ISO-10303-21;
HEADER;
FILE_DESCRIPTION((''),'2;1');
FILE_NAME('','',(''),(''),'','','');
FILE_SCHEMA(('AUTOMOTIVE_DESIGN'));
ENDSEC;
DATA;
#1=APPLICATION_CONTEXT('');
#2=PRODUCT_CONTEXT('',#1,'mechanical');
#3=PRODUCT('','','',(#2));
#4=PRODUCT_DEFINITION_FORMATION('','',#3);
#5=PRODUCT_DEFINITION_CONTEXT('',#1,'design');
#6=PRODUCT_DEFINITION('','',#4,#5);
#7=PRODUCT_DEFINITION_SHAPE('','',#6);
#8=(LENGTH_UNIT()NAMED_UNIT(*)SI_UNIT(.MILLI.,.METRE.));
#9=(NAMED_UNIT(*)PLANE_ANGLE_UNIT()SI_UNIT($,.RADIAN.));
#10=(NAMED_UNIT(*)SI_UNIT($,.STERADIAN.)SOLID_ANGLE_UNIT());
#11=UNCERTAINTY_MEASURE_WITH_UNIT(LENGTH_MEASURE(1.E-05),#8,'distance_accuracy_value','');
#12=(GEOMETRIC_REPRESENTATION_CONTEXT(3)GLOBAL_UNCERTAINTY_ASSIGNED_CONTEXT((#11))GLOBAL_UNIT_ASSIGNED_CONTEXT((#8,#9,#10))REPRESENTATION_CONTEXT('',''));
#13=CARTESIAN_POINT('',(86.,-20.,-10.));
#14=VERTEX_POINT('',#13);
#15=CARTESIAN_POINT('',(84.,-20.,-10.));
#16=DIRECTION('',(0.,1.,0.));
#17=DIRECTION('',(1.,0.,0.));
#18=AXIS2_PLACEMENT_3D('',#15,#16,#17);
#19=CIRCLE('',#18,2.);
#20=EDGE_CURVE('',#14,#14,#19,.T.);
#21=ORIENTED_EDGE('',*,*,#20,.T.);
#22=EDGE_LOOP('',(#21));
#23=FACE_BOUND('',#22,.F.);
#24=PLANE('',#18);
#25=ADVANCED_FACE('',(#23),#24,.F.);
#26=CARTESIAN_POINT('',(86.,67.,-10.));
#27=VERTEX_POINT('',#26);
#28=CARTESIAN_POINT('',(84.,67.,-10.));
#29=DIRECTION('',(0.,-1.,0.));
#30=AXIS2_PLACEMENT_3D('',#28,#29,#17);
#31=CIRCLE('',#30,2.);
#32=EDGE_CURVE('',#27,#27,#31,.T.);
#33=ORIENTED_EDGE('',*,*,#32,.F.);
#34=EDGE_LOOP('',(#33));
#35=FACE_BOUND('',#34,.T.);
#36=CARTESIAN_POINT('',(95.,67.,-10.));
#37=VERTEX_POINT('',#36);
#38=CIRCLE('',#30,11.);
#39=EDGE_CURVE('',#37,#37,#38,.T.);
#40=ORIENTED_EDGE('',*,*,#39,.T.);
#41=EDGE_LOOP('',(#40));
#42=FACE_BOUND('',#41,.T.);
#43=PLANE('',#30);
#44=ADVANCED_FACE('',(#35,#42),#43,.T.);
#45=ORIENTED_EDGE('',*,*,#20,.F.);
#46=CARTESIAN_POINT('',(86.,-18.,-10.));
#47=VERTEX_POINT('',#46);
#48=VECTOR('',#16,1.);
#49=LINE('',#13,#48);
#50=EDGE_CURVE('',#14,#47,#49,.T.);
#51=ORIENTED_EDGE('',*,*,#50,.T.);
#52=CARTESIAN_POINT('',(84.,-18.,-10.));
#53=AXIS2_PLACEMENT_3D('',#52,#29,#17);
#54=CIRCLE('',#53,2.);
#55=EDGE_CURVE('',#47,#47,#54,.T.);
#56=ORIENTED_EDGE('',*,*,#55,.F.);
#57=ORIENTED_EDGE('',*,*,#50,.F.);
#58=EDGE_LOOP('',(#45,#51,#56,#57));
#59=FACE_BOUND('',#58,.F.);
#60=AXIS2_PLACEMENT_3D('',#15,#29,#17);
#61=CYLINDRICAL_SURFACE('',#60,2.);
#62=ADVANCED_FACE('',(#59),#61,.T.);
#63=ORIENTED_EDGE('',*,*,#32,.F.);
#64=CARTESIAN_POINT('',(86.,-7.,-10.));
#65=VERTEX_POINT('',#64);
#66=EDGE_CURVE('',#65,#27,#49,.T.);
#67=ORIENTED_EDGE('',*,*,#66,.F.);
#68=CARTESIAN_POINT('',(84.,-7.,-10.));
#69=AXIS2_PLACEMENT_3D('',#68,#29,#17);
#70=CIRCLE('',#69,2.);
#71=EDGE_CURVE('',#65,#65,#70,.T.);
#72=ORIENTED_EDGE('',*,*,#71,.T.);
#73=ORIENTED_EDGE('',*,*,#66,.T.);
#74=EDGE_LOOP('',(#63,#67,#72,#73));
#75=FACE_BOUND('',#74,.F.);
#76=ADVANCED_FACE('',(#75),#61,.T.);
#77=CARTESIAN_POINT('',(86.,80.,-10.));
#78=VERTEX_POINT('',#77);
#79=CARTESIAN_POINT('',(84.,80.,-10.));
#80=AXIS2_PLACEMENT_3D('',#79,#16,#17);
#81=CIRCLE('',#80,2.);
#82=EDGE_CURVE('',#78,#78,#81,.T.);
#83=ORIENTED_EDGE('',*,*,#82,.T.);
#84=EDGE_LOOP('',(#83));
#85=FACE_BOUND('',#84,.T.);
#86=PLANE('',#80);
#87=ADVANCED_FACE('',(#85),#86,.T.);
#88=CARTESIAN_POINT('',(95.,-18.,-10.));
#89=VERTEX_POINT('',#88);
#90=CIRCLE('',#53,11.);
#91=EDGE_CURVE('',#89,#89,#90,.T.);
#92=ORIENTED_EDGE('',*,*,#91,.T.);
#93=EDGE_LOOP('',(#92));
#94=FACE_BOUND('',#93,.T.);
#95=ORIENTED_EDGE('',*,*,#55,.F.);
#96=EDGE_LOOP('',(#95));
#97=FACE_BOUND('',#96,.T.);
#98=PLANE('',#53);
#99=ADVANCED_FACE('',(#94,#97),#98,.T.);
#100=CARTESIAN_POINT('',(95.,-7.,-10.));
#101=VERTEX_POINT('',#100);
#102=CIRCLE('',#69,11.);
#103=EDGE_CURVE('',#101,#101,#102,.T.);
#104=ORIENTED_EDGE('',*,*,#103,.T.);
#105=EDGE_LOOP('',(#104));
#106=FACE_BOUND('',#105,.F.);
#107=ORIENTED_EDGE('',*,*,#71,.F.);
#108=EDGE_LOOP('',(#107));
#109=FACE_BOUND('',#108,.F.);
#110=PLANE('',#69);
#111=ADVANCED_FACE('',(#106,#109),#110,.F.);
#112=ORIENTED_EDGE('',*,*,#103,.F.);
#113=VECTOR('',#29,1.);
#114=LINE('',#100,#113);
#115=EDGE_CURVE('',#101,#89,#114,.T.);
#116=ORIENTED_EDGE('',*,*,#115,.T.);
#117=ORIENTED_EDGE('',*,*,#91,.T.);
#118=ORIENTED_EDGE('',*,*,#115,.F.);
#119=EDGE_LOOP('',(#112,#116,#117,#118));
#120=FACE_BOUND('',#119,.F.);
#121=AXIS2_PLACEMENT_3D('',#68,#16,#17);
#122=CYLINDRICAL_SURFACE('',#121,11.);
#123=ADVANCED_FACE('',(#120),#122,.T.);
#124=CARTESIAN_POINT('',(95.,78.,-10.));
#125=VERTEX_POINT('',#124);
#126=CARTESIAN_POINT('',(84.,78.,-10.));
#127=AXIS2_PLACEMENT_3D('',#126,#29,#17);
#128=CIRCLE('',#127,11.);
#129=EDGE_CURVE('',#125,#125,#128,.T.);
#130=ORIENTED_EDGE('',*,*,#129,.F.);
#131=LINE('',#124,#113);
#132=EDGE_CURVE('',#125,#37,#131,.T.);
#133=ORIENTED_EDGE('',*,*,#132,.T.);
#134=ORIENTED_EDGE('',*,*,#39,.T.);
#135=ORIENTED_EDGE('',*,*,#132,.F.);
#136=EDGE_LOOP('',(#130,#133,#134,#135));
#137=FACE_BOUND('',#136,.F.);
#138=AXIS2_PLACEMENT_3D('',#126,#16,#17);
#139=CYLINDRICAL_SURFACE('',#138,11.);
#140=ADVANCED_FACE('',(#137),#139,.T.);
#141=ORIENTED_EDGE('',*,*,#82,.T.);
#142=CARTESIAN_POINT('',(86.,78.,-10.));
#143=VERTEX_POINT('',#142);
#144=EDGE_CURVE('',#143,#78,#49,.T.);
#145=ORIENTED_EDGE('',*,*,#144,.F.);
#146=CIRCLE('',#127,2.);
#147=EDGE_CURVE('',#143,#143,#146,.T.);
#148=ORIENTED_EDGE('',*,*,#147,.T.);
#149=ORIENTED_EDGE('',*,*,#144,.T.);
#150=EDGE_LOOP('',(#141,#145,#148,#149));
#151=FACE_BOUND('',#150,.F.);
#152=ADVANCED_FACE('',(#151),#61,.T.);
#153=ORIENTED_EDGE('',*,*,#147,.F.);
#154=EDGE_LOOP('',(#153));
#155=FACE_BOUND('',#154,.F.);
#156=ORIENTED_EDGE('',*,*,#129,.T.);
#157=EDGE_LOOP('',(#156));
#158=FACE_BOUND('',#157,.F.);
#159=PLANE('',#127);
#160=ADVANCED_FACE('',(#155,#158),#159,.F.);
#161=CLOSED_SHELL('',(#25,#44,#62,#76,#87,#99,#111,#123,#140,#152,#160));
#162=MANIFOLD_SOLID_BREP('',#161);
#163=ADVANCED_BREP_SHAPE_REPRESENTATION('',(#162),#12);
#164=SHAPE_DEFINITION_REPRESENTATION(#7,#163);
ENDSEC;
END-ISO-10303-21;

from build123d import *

# Parameters (mm, degrees)
CYLINDER002001001002_R             = 11
CYLINDER002001001002_DEPTH         = 11
CYLINDER002001001002_ROLL_ANGLE    = 90
CYLINDER002001001002001_R          = 11
CYLINDER002001001002001_DEPTH      = 11
CYLINDER002001001002001_ROLL_ANGLE = 90
CYLINDER002001002001_R             = 2
CYLINDER002001002001_DEPTH         = 100
CYLINDER002001002001_ROLL_ANGLE    = -90


with BuildPart() as wheel006:
    # Cylinder002001001002 → Cylinder002001001002 (new body)
    with BuildSketch(Plane.XY):
        Circle(CYLINDER002001001002_R)
    extrude(amount=CYLINDER002001001002_DEPTH)


with BuildPart() as wheel006_1:
    # Cylinder002001001002 roll: moved
    add(wheel006.part.rotate(Axis((0, 0, 0), (1, 0, 0)), CYLINDER002001001002_ROLL_ANGLE))


with BuildPart() as wheel006_2:
    # Cylinder002001001002 placement: moved
    add(wheel006_1.part.moved(Location((20, 78, 14))))


with BuildPart() as wheel007:
    # Cylinder002001001002001 → Cylinder002001001002001 (new body)
    with BuildSketch(Plane.XY):
        Circle(CYLINDER002001001002001_R)
    extrude(amount=CYLINDER002001001002001_DEPTH)


with BuildPart() as wheel007_1:
    # Cylinder002001001002001 roll: moved
    add(wheel007.part.rotate(Axis((0, 0, 0), (1, 0, 0)), CYLINDER002001001002001_ROLL_ANGLE))


with BuildPart() as wheel007_2:
    # Cylinder002001001002001 placement: moved
    add(wheel007_1.part.moved(Location((20, -7, 14))))


with BuildPart() as swheelset2:
    # Cylinder002001002001 → Cylinder002001002001 (new body)
    with BuildSketch(Plane.XY):
        Circle(CYLINDER002001002001_R)
    extrude(amount=CYLINDER002001002001_DEPTH)


with BuildPart() as swheelset2_1:
    # Cylinder002001002001 roll: moved
    add(swheelset2.part.rotate(Axis((0, 0, 0), (1, 0, 0)), CYLINDER002001002001_ROLL_ANGLE))


with BuildPart() as swheelset2_2:
    # Cylinder002001002001 placement: moved
    add(swheelset2_1.part.moved(Location((20, -20, 14))))

    # Fusion002001002002002001: union Wheel006, Wheel007
    add(wheel006_2.part)
    add(wheel007_2.part)


with BuildPart() as swheelset2_3:
    # Fusion002001002002002001 placement: moved
    add(swheelset2_2.part.moved(Location((64, 0, -24))))


solid = swheelset2_3.part
